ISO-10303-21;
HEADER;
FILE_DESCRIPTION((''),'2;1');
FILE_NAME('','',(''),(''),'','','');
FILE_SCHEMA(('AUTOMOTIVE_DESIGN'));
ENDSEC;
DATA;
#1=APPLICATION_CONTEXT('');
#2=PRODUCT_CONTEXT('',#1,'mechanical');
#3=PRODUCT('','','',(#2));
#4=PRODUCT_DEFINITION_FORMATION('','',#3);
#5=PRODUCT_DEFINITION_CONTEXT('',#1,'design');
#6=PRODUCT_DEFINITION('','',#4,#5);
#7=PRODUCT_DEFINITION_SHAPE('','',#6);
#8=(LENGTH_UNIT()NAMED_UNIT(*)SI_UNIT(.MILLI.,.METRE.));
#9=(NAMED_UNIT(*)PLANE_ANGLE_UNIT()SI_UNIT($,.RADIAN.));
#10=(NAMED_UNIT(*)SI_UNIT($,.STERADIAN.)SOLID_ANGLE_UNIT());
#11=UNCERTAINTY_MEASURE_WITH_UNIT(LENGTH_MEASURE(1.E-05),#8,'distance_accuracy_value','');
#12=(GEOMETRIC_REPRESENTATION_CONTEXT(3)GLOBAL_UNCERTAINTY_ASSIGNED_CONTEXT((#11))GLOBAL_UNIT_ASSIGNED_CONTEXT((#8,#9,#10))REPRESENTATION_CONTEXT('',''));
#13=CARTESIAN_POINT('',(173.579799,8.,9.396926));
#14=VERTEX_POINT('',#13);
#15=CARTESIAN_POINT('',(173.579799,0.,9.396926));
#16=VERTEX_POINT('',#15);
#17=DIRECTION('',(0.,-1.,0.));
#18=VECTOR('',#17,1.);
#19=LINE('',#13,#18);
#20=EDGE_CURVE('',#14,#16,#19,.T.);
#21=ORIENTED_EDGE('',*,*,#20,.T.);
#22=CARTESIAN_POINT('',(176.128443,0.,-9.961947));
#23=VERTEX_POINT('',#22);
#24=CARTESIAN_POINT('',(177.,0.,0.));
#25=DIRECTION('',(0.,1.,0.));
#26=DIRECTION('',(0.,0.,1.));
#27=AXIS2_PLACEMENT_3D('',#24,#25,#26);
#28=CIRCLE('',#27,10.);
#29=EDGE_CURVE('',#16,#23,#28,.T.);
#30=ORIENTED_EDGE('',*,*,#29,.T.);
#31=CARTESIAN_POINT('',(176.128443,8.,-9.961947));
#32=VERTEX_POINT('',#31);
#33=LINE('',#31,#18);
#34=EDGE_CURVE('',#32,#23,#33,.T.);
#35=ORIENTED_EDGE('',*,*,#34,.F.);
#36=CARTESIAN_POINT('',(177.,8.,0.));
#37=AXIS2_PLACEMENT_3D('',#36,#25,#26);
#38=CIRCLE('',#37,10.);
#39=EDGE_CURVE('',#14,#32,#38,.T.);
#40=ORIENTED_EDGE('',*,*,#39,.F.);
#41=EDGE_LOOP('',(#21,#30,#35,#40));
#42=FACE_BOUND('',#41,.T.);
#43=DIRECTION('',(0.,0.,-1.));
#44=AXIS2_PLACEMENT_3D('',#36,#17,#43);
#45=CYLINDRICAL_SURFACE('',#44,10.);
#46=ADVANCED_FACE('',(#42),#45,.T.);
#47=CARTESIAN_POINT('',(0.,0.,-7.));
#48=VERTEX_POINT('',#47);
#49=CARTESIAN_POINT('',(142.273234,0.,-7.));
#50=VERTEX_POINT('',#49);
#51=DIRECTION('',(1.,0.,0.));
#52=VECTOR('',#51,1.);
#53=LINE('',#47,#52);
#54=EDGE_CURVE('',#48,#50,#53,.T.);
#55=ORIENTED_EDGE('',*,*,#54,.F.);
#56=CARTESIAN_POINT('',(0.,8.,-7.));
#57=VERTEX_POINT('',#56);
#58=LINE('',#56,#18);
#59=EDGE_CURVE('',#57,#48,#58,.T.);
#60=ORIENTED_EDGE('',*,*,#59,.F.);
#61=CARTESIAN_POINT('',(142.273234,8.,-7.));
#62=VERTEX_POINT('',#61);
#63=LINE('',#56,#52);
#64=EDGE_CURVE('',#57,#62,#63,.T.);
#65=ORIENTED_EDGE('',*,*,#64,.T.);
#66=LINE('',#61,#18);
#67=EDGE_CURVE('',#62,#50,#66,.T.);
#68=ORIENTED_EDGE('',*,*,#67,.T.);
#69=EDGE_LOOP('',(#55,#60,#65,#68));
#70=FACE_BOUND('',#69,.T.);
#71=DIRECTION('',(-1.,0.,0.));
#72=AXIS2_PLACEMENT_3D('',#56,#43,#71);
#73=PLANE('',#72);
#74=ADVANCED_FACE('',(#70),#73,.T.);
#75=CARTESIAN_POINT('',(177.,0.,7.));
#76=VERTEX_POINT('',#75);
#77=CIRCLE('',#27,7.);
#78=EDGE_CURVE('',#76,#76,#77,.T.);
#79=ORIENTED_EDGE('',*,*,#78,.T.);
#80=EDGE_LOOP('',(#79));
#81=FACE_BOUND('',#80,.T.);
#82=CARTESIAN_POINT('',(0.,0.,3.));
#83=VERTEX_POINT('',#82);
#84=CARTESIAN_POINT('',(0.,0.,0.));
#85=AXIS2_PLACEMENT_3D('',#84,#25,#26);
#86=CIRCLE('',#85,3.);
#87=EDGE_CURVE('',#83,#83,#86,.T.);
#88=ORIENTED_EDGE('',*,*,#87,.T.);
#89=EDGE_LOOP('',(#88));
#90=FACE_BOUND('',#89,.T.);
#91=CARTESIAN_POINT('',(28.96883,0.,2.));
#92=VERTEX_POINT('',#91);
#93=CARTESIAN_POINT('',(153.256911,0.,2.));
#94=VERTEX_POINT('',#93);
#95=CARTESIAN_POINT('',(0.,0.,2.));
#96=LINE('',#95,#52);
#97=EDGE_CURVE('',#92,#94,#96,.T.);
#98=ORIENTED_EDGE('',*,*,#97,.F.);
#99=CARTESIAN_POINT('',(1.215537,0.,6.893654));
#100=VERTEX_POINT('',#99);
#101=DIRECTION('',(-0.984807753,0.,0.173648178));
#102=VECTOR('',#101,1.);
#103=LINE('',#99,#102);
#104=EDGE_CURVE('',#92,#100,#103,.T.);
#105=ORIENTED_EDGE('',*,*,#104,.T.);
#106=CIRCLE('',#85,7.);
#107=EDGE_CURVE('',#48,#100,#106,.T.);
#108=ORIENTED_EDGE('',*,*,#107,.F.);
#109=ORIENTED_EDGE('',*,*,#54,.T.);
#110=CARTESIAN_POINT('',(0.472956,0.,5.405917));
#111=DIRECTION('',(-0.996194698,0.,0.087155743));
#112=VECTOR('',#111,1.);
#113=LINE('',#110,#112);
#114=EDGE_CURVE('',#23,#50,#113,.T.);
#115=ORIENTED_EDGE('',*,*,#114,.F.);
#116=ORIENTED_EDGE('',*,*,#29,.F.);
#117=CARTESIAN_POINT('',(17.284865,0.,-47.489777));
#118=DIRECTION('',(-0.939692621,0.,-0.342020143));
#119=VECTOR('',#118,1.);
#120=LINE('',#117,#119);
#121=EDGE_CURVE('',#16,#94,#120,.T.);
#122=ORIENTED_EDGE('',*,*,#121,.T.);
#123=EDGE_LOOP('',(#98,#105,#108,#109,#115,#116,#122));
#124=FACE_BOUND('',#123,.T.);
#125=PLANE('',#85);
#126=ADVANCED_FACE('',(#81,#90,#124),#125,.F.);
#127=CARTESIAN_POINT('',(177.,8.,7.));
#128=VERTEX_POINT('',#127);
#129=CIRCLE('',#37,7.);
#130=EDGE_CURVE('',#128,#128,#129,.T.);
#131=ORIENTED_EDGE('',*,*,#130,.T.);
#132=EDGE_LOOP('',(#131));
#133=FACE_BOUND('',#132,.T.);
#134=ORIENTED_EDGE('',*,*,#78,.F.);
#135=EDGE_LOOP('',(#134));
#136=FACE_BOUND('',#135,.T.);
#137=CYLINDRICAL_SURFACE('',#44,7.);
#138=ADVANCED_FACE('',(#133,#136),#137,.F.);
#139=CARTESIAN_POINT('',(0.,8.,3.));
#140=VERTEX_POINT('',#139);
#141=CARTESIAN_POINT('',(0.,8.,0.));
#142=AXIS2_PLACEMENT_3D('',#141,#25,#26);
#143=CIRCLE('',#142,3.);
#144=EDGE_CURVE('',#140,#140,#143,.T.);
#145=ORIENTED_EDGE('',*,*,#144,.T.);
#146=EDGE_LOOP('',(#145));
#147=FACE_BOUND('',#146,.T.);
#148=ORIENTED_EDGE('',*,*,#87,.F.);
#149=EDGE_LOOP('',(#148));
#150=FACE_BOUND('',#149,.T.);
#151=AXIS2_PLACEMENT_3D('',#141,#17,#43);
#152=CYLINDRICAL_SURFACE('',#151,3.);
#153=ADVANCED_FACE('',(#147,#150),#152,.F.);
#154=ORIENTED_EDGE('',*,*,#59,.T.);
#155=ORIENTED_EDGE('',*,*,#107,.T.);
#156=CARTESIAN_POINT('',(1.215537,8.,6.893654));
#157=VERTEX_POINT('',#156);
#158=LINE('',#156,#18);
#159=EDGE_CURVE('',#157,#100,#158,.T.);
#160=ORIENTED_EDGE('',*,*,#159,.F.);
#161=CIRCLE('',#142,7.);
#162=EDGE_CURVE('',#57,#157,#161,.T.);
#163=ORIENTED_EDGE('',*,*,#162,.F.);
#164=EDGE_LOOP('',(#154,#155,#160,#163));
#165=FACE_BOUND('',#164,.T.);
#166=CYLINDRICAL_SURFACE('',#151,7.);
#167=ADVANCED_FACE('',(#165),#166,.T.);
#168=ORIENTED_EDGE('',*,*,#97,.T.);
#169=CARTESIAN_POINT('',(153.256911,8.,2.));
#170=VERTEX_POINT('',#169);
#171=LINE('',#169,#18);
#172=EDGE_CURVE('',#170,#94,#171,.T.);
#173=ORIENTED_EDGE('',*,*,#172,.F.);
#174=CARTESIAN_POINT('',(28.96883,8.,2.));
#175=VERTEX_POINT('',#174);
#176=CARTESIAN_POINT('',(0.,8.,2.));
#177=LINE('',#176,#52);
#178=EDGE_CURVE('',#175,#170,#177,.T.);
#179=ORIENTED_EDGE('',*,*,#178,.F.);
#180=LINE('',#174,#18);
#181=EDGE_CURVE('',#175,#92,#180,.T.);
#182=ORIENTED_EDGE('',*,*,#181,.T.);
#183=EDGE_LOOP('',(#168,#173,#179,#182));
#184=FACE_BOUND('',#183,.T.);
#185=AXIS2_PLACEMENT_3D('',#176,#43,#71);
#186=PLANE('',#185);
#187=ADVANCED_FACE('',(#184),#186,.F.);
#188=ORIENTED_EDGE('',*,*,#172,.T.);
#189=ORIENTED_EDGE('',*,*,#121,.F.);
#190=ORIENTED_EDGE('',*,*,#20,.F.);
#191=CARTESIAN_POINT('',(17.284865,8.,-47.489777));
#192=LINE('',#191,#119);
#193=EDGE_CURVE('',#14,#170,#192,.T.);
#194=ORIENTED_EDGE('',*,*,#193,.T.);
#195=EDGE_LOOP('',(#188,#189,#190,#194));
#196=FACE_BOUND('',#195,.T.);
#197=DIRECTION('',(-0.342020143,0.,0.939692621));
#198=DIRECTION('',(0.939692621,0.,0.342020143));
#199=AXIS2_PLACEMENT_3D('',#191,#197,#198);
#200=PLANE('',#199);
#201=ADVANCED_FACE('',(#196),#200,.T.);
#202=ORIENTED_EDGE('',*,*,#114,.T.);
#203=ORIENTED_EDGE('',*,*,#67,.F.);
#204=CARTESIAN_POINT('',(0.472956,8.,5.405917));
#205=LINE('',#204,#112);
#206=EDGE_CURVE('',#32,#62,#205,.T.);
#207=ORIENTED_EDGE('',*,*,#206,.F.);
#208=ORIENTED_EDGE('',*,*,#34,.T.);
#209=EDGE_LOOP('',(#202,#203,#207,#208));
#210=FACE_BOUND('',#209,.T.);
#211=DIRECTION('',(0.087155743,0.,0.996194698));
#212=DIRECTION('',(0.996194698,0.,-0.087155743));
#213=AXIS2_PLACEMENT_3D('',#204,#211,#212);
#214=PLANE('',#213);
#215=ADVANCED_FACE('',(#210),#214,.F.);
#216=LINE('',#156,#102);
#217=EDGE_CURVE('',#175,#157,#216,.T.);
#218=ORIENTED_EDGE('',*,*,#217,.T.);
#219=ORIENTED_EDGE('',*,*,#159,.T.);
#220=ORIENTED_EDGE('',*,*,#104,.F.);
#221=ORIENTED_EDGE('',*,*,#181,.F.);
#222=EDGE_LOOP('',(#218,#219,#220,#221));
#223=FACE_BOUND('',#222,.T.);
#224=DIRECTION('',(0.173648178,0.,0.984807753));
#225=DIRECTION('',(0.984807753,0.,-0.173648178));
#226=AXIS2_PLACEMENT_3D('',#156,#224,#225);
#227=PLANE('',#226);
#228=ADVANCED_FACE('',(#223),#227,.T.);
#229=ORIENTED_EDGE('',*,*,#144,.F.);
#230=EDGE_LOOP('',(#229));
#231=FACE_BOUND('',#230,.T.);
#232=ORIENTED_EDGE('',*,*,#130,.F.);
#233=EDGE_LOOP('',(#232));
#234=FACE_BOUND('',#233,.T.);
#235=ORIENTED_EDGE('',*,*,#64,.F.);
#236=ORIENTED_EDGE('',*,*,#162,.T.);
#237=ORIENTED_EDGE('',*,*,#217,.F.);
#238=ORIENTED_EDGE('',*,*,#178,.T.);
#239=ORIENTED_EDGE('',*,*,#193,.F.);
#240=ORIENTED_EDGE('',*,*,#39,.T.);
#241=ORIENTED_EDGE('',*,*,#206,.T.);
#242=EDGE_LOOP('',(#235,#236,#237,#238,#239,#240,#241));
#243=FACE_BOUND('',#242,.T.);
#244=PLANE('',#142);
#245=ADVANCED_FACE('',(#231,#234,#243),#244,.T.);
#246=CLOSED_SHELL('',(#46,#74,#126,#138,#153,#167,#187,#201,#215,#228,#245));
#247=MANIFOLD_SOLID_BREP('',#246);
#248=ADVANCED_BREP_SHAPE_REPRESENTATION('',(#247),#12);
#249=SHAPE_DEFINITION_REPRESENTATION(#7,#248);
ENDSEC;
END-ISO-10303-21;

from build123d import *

# Parameters (mm, degrees)
SKETCH_1_R      = 3
SKETCH_1_R_2    = 7
EXTRUDE_2_DEPTH = 8


with BuildPart() as part:
    # 草图1 → 凸台-拉伸2 (new body)
    with BuildSketch(Plane(origin=(0, 0, 0), x_dir=(1, 0, 0), z_dir=(0, 1, 0))):
        with BuildLine():
            ThreePointArc((0, 7), (-6.973362887, -0.610090199), (1.215537244, -6.893654271))
            Line((1.215537244, -6.893654271), (28.968829743, -2))
            Line((28.968829743, -2), (153.256910837, -2))
            Line((153.256910837, -2), (173.579798567, -9.396926208))
            ThreePointArc((173.579798567, -9.396926208), (186.914448614, -1.305261922), (176.128442573, 9.961946981))
            Line((176.128442573, 9.961946981), (142.273233663, 7))
            Line((142.273233663, 7), (0, 7))
        make_face()
        with Locations(Location((0, 0, 0), (0, 0, 270))):
            Circle(SKETCH_1_R, mode=Mode.SUBTRACT)
        with Locations(Location((177, 0, 0), (0, 0, 270))):
            Circle(SKETCH_1_R_2, mode=Mode.SUBTRACT)
    extrude(amount=EXTRUDE_2_DEPTH)


solid = part.part
